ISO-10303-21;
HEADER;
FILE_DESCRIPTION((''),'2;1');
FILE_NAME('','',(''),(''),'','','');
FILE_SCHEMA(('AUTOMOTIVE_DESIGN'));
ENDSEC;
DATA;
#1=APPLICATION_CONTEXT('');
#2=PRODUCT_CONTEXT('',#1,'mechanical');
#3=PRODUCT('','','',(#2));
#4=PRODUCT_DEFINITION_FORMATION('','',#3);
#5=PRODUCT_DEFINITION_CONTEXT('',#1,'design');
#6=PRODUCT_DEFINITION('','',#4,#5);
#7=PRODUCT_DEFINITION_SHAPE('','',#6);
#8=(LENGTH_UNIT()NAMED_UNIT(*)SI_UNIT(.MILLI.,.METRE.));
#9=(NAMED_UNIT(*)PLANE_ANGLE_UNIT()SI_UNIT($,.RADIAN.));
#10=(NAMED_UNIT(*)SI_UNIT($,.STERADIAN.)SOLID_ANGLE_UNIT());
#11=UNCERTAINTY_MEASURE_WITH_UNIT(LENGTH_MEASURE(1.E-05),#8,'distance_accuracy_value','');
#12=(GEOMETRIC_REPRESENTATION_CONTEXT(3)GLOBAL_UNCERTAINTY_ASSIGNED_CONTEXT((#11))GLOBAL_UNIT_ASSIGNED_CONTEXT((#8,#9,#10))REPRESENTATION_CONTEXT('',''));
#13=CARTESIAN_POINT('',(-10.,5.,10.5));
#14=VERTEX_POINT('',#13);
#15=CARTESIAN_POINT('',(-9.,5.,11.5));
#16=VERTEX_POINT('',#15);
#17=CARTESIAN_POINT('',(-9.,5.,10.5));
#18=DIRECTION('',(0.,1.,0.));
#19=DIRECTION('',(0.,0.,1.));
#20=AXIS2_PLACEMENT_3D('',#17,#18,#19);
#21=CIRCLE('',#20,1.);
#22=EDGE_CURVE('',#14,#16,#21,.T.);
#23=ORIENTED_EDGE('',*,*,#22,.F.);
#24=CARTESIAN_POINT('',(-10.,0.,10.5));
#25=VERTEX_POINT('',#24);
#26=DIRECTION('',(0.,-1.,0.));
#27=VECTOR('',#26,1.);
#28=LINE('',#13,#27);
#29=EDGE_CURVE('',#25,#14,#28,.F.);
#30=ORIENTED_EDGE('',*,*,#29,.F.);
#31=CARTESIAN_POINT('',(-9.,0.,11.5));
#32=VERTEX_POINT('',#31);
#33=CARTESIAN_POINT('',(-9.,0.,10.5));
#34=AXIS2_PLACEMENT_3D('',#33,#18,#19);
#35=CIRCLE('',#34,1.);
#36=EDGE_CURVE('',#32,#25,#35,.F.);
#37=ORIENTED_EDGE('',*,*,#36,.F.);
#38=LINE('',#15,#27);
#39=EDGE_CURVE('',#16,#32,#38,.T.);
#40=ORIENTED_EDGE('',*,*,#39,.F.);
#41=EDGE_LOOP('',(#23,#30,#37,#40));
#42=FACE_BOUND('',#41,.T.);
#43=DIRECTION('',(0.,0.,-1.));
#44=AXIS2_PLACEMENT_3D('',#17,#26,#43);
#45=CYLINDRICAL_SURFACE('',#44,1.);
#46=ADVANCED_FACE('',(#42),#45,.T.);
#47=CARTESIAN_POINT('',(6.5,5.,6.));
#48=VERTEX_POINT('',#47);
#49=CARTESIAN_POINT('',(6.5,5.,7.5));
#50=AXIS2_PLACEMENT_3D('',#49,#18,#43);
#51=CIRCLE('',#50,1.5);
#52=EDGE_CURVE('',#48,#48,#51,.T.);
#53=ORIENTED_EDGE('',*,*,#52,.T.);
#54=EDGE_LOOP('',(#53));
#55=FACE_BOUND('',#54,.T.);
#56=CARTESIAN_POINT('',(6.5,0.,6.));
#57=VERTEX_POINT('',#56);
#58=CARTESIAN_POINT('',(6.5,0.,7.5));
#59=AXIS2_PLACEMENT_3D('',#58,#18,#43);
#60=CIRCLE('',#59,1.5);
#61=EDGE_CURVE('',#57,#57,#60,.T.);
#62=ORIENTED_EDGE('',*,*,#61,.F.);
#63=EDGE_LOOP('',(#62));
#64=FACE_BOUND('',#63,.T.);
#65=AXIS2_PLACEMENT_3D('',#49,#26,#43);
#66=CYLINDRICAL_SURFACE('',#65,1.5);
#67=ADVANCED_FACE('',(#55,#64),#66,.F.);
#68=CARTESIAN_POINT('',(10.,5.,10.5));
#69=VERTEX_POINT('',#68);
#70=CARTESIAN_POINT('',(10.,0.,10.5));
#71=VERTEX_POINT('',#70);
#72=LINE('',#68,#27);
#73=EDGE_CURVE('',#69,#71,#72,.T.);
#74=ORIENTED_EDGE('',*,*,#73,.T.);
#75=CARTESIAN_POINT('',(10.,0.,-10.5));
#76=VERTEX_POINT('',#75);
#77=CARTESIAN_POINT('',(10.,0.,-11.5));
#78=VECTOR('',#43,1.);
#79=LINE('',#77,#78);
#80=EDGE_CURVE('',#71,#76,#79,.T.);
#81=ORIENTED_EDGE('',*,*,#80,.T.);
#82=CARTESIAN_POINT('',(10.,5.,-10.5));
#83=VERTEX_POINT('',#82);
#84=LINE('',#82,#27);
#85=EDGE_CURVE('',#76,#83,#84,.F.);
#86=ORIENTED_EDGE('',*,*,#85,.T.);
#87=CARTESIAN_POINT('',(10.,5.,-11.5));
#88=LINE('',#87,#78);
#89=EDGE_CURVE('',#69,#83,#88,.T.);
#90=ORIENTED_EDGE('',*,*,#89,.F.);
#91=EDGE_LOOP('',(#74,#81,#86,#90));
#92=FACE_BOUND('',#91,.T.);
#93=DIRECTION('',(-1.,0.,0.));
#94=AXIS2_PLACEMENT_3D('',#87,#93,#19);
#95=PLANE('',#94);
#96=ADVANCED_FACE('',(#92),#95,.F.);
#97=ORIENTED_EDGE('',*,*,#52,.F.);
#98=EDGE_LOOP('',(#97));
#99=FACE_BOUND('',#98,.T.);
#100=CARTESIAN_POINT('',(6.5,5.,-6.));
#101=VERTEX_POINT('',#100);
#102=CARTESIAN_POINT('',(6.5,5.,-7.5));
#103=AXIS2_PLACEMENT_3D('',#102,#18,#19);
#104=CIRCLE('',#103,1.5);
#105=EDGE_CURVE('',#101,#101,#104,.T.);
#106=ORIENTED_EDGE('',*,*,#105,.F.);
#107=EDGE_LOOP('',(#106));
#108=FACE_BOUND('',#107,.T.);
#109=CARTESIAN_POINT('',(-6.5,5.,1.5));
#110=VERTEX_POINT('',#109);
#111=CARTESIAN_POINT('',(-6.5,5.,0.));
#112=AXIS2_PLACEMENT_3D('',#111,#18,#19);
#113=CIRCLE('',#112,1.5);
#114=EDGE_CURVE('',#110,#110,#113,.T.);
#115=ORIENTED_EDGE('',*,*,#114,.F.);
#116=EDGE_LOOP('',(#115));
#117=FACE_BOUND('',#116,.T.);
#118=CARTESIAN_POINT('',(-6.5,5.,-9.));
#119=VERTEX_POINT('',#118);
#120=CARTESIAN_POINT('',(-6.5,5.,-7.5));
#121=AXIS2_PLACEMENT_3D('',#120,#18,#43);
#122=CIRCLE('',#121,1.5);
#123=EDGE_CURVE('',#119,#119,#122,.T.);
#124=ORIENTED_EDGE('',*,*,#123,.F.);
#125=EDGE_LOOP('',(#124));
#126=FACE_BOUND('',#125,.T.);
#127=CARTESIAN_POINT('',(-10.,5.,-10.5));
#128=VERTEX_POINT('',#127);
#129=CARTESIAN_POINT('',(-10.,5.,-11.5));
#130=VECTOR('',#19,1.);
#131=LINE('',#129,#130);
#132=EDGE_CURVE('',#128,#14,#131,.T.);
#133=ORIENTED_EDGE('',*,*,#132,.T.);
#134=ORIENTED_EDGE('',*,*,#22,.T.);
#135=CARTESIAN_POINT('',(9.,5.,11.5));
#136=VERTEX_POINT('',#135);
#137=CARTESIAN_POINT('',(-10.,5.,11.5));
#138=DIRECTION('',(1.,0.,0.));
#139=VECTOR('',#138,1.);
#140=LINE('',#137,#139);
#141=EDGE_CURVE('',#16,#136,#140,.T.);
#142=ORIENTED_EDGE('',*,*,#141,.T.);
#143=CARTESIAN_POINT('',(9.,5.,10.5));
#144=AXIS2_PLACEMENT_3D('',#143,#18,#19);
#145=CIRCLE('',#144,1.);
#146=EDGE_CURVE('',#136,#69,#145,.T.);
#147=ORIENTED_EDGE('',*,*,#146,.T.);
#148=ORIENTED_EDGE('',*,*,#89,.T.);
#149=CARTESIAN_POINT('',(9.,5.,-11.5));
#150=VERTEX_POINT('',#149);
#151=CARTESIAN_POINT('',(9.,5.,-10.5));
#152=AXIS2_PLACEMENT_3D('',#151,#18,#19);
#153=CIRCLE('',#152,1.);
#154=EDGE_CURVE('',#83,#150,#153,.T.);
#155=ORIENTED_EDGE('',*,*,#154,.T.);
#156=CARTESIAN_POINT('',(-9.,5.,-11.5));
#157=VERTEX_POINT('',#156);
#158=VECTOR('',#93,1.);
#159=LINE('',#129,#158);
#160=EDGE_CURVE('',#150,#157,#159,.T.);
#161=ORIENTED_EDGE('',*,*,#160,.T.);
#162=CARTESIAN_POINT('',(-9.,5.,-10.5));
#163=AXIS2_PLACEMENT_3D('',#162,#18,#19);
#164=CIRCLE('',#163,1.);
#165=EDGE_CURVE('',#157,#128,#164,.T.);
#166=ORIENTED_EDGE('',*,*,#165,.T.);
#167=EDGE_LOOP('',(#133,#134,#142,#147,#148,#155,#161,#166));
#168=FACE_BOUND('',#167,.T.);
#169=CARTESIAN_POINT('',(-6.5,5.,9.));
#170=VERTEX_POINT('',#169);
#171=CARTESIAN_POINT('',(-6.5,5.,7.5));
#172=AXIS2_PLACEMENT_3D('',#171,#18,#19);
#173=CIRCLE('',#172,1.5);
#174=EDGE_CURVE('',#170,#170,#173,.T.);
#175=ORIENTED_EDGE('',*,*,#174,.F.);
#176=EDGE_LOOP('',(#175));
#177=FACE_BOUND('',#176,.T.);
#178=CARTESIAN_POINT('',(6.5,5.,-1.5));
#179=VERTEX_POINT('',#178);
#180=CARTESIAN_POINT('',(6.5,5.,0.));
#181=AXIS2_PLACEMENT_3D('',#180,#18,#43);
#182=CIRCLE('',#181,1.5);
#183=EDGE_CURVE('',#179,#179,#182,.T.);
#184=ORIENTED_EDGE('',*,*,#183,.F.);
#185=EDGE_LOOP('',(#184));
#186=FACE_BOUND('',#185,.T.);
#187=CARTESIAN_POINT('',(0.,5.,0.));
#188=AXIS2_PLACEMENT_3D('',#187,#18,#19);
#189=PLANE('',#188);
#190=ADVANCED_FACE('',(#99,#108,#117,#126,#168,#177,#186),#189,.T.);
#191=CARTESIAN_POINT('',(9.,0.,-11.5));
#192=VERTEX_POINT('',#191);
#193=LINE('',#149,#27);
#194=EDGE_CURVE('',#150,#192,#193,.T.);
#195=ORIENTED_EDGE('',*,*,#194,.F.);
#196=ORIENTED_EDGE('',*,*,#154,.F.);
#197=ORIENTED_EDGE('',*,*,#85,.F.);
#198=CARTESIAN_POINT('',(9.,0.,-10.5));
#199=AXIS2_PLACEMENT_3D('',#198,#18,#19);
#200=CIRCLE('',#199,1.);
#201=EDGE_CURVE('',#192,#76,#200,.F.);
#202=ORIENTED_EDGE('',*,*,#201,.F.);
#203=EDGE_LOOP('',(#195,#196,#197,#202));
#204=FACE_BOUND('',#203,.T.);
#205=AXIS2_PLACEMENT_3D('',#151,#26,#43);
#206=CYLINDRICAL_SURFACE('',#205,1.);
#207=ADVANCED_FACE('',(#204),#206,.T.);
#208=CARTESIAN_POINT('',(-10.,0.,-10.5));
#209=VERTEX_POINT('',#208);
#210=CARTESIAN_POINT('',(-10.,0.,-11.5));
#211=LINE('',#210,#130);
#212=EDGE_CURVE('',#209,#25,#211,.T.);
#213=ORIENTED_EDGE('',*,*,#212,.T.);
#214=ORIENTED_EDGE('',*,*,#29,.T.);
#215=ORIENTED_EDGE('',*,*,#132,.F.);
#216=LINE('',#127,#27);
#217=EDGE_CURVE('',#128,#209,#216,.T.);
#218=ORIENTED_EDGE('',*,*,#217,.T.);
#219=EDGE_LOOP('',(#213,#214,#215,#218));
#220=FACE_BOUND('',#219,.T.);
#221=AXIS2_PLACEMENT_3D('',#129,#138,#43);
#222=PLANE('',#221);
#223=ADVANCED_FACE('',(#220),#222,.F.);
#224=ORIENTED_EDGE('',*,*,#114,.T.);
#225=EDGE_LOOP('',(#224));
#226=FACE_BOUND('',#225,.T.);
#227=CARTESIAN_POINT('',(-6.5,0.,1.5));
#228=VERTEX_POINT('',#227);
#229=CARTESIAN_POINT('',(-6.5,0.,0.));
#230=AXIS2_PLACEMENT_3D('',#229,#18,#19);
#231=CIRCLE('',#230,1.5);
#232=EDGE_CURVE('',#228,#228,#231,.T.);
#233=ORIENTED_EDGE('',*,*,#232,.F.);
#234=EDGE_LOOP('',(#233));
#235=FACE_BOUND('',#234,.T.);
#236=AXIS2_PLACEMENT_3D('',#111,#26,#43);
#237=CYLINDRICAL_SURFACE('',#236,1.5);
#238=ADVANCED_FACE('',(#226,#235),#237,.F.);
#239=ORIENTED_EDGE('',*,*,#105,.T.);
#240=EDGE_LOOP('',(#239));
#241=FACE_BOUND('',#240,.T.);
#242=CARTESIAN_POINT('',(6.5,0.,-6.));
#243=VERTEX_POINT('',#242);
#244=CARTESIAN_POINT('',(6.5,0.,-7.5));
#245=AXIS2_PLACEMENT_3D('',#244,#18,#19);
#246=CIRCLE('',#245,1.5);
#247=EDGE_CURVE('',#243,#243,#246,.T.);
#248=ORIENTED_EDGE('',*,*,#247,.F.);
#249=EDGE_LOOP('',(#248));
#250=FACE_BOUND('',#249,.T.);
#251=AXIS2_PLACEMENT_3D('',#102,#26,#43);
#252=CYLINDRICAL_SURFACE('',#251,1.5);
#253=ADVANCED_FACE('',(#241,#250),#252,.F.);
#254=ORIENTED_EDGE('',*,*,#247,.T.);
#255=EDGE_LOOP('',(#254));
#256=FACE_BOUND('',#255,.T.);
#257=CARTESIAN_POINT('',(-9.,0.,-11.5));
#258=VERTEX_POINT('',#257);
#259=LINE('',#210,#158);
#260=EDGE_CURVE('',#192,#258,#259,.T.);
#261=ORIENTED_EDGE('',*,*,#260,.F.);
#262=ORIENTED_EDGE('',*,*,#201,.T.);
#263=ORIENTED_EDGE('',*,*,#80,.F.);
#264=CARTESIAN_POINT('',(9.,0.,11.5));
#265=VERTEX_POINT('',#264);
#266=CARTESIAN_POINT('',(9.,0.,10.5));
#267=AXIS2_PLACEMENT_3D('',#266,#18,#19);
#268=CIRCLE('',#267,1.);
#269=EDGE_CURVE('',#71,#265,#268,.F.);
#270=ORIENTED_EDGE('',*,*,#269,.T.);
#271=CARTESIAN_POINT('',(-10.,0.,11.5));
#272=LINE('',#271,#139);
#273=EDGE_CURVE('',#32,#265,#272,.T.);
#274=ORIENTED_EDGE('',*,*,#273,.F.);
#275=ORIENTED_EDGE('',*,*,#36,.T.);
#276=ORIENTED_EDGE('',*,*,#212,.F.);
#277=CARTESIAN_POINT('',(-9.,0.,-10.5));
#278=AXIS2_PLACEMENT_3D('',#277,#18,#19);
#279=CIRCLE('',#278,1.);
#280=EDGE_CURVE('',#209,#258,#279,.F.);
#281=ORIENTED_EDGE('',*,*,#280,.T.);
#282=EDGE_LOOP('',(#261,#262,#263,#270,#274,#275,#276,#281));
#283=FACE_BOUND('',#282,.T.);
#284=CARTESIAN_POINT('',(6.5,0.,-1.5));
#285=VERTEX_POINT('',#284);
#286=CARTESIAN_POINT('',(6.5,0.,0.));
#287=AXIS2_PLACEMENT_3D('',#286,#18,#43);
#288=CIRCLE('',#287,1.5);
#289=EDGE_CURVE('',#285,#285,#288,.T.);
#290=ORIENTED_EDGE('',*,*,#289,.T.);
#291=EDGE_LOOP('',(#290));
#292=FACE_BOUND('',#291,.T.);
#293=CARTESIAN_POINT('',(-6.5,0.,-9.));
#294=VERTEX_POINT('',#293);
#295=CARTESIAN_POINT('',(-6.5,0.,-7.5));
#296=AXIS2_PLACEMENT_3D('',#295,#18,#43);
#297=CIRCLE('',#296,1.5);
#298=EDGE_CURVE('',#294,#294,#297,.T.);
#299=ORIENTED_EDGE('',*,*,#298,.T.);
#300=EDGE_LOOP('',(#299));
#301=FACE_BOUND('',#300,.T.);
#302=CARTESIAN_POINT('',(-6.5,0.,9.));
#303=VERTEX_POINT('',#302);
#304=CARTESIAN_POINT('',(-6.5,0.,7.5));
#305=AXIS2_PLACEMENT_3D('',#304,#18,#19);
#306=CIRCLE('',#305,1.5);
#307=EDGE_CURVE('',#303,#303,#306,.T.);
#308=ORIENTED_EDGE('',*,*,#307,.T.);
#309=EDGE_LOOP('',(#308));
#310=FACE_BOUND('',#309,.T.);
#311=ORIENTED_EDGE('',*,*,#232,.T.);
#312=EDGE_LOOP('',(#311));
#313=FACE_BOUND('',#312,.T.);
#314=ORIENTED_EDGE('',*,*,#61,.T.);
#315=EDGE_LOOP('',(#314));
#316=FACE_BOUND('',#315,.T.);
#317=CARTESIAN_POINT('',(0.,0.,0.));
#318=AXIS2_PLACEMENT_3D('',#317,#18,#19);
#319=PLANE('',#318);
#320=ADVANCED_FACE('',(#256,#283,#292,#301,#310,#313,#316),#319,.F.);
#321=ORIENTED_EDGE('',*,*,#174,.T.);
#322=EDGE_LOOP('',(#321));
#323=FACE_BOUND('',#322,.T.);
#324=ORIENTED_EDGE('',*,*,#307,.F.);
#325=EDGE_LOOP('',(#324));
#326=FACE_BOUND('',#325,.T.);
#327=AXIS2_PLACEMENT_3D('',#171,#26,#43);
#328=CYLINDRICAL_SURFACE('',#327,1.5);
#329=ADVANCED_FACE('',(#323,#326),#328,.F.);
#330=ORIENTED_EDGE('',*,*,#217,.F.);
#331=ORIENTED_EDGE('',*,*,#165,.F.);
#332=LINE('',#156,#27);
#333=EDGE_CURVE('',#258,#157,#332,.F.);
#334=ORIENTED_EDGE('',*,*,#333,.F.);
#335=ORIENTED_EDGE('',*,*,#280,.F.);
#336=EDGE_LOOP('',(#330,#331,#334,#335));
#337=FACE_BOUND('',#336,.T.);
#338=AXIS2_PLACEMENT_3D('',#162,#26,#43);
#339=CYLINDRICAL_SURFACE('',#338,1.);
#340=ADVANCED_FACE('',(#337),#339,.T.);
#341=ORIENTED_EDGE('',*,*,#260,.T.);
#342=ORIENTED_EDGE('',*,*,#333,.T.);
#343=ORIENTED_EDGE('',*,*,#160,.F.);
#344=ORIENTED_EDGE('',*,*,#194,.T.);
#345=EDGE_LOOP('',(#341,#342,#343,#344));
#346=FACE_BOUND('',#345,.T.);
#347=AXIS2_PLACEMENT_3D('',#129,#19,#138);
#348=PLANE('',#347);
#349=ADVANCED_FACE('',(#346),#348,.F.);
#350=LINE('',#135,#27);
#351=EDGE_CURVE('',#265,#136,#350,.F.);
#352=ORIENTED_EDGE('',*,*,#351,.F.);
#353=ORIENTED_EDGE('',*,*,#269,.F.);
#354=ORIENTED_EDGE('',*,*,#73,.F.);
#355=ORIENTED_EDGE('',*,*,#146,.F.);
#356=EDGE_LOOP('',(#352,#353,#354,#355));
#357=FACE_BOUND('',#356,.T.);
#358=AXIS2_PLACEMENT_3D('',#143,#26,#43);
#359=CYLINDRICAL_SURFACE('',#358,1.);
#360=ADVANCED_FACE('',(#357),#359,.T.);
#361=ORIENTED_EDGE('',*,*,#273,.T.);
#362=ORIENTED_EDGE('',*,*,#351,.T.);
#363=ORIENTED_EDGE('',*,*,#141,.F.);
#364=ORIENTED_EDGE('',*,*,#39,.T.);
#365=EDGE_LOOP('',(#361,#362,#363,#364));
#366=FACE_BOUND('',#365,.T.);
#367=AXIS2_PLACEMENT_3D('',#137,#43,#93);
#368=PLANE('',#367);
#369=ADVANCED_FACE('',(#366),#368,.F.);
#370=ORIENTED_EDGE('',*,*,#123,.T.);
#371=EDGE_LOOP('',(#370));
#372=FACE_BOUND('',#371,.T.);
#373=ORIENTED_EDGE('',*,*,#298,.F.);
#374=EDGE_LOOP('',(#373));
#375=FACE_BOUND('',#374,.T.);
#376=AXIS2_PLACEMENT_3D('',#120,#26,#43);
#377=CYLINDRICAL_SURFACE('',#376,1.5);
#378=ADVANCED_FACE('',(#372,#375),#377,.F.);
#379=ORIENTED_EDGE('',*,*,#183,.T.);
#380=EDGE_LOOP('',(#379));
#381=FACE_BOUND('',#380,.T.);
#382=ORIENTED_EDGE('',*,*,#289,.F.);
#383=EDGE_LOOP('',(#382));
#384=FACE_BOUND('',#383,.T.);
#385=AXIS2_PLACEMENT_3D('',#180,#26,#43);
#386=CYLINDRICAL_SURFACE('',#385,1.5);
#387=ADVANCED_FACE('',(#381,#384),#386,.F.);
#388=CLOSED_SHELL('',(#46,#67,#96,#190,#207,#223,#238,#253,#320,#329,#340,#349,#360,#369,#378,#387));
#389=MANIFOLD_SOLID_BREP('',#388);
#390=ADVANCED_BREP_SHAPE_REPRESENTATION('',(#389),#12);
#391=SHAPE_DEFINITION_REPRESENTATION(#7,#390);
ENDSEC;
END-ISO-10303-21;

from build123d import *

# Parameters (mm, degrees)
SKETCH_1_W      = 20
SKETCH_1_H      = 23
SKETCH_1_R      = 1.5
EXTRUDE_1_DEPTH = 5
FILLET_1_R      = 1


with BuildPart() as part:
    # 草图1 → 凸台-拉伸1 (new body)
    with BuildSketch(Plane(origin=(0, 0, 0), x_dir=(1, 0, 0), z_dir=(0, 1, 0))):
        Rectangle(SKETCH_1_W, SKETCH_1_H)
        with Locations(Location((-6.5, 0, 0), (0, 0, 270))):
            Circle(SKETCH_1_R, mode=Mode.SUBTRACT)
        with Locations(Location((-6.5, -7.5, 0), (0, 0, 270))):
            Circle(SKETCH_1_R, mode=Mode.SUBTRACT)
        with Locations(Location((-6.5, 7.5, 0), (0, 0, 90))):
            Circle(SKETCH_1_R, mode=Mode.SUBTRACT)
        with Locations(Location((6.5, 7.5, 0), (0, 0, 270))):
            Circle(SKETCH_1_R, mode=Mode.SUBTRACT)
        with Locations(Location((6.5, -7.5, 0), (0, 0, 90))):
            Circle(SKETCH_1_R, mode=Mode.SUBTRACT)
        with Locations(Location((6.5, 0, 0), (0, 0, 90))):
            Circle(SKETCH_1_R, mode=Mode.SUBTRACT)
    extrude(amount=EXTRUDE_1_DEPTH)

    # 圆角1
    fillet_1_edges = [part.edges().sort_by_distance(p)[0] for p in [
        (10, 2.5, 11.5),
        (-10, 2.5, 11.5),
        (-10, 2.5, -11.5),
        (10, 2.5, -11.5),
    ]]
    fillet(fillet_1_edges, radius=FILLET_1_R)


solid = part.part
